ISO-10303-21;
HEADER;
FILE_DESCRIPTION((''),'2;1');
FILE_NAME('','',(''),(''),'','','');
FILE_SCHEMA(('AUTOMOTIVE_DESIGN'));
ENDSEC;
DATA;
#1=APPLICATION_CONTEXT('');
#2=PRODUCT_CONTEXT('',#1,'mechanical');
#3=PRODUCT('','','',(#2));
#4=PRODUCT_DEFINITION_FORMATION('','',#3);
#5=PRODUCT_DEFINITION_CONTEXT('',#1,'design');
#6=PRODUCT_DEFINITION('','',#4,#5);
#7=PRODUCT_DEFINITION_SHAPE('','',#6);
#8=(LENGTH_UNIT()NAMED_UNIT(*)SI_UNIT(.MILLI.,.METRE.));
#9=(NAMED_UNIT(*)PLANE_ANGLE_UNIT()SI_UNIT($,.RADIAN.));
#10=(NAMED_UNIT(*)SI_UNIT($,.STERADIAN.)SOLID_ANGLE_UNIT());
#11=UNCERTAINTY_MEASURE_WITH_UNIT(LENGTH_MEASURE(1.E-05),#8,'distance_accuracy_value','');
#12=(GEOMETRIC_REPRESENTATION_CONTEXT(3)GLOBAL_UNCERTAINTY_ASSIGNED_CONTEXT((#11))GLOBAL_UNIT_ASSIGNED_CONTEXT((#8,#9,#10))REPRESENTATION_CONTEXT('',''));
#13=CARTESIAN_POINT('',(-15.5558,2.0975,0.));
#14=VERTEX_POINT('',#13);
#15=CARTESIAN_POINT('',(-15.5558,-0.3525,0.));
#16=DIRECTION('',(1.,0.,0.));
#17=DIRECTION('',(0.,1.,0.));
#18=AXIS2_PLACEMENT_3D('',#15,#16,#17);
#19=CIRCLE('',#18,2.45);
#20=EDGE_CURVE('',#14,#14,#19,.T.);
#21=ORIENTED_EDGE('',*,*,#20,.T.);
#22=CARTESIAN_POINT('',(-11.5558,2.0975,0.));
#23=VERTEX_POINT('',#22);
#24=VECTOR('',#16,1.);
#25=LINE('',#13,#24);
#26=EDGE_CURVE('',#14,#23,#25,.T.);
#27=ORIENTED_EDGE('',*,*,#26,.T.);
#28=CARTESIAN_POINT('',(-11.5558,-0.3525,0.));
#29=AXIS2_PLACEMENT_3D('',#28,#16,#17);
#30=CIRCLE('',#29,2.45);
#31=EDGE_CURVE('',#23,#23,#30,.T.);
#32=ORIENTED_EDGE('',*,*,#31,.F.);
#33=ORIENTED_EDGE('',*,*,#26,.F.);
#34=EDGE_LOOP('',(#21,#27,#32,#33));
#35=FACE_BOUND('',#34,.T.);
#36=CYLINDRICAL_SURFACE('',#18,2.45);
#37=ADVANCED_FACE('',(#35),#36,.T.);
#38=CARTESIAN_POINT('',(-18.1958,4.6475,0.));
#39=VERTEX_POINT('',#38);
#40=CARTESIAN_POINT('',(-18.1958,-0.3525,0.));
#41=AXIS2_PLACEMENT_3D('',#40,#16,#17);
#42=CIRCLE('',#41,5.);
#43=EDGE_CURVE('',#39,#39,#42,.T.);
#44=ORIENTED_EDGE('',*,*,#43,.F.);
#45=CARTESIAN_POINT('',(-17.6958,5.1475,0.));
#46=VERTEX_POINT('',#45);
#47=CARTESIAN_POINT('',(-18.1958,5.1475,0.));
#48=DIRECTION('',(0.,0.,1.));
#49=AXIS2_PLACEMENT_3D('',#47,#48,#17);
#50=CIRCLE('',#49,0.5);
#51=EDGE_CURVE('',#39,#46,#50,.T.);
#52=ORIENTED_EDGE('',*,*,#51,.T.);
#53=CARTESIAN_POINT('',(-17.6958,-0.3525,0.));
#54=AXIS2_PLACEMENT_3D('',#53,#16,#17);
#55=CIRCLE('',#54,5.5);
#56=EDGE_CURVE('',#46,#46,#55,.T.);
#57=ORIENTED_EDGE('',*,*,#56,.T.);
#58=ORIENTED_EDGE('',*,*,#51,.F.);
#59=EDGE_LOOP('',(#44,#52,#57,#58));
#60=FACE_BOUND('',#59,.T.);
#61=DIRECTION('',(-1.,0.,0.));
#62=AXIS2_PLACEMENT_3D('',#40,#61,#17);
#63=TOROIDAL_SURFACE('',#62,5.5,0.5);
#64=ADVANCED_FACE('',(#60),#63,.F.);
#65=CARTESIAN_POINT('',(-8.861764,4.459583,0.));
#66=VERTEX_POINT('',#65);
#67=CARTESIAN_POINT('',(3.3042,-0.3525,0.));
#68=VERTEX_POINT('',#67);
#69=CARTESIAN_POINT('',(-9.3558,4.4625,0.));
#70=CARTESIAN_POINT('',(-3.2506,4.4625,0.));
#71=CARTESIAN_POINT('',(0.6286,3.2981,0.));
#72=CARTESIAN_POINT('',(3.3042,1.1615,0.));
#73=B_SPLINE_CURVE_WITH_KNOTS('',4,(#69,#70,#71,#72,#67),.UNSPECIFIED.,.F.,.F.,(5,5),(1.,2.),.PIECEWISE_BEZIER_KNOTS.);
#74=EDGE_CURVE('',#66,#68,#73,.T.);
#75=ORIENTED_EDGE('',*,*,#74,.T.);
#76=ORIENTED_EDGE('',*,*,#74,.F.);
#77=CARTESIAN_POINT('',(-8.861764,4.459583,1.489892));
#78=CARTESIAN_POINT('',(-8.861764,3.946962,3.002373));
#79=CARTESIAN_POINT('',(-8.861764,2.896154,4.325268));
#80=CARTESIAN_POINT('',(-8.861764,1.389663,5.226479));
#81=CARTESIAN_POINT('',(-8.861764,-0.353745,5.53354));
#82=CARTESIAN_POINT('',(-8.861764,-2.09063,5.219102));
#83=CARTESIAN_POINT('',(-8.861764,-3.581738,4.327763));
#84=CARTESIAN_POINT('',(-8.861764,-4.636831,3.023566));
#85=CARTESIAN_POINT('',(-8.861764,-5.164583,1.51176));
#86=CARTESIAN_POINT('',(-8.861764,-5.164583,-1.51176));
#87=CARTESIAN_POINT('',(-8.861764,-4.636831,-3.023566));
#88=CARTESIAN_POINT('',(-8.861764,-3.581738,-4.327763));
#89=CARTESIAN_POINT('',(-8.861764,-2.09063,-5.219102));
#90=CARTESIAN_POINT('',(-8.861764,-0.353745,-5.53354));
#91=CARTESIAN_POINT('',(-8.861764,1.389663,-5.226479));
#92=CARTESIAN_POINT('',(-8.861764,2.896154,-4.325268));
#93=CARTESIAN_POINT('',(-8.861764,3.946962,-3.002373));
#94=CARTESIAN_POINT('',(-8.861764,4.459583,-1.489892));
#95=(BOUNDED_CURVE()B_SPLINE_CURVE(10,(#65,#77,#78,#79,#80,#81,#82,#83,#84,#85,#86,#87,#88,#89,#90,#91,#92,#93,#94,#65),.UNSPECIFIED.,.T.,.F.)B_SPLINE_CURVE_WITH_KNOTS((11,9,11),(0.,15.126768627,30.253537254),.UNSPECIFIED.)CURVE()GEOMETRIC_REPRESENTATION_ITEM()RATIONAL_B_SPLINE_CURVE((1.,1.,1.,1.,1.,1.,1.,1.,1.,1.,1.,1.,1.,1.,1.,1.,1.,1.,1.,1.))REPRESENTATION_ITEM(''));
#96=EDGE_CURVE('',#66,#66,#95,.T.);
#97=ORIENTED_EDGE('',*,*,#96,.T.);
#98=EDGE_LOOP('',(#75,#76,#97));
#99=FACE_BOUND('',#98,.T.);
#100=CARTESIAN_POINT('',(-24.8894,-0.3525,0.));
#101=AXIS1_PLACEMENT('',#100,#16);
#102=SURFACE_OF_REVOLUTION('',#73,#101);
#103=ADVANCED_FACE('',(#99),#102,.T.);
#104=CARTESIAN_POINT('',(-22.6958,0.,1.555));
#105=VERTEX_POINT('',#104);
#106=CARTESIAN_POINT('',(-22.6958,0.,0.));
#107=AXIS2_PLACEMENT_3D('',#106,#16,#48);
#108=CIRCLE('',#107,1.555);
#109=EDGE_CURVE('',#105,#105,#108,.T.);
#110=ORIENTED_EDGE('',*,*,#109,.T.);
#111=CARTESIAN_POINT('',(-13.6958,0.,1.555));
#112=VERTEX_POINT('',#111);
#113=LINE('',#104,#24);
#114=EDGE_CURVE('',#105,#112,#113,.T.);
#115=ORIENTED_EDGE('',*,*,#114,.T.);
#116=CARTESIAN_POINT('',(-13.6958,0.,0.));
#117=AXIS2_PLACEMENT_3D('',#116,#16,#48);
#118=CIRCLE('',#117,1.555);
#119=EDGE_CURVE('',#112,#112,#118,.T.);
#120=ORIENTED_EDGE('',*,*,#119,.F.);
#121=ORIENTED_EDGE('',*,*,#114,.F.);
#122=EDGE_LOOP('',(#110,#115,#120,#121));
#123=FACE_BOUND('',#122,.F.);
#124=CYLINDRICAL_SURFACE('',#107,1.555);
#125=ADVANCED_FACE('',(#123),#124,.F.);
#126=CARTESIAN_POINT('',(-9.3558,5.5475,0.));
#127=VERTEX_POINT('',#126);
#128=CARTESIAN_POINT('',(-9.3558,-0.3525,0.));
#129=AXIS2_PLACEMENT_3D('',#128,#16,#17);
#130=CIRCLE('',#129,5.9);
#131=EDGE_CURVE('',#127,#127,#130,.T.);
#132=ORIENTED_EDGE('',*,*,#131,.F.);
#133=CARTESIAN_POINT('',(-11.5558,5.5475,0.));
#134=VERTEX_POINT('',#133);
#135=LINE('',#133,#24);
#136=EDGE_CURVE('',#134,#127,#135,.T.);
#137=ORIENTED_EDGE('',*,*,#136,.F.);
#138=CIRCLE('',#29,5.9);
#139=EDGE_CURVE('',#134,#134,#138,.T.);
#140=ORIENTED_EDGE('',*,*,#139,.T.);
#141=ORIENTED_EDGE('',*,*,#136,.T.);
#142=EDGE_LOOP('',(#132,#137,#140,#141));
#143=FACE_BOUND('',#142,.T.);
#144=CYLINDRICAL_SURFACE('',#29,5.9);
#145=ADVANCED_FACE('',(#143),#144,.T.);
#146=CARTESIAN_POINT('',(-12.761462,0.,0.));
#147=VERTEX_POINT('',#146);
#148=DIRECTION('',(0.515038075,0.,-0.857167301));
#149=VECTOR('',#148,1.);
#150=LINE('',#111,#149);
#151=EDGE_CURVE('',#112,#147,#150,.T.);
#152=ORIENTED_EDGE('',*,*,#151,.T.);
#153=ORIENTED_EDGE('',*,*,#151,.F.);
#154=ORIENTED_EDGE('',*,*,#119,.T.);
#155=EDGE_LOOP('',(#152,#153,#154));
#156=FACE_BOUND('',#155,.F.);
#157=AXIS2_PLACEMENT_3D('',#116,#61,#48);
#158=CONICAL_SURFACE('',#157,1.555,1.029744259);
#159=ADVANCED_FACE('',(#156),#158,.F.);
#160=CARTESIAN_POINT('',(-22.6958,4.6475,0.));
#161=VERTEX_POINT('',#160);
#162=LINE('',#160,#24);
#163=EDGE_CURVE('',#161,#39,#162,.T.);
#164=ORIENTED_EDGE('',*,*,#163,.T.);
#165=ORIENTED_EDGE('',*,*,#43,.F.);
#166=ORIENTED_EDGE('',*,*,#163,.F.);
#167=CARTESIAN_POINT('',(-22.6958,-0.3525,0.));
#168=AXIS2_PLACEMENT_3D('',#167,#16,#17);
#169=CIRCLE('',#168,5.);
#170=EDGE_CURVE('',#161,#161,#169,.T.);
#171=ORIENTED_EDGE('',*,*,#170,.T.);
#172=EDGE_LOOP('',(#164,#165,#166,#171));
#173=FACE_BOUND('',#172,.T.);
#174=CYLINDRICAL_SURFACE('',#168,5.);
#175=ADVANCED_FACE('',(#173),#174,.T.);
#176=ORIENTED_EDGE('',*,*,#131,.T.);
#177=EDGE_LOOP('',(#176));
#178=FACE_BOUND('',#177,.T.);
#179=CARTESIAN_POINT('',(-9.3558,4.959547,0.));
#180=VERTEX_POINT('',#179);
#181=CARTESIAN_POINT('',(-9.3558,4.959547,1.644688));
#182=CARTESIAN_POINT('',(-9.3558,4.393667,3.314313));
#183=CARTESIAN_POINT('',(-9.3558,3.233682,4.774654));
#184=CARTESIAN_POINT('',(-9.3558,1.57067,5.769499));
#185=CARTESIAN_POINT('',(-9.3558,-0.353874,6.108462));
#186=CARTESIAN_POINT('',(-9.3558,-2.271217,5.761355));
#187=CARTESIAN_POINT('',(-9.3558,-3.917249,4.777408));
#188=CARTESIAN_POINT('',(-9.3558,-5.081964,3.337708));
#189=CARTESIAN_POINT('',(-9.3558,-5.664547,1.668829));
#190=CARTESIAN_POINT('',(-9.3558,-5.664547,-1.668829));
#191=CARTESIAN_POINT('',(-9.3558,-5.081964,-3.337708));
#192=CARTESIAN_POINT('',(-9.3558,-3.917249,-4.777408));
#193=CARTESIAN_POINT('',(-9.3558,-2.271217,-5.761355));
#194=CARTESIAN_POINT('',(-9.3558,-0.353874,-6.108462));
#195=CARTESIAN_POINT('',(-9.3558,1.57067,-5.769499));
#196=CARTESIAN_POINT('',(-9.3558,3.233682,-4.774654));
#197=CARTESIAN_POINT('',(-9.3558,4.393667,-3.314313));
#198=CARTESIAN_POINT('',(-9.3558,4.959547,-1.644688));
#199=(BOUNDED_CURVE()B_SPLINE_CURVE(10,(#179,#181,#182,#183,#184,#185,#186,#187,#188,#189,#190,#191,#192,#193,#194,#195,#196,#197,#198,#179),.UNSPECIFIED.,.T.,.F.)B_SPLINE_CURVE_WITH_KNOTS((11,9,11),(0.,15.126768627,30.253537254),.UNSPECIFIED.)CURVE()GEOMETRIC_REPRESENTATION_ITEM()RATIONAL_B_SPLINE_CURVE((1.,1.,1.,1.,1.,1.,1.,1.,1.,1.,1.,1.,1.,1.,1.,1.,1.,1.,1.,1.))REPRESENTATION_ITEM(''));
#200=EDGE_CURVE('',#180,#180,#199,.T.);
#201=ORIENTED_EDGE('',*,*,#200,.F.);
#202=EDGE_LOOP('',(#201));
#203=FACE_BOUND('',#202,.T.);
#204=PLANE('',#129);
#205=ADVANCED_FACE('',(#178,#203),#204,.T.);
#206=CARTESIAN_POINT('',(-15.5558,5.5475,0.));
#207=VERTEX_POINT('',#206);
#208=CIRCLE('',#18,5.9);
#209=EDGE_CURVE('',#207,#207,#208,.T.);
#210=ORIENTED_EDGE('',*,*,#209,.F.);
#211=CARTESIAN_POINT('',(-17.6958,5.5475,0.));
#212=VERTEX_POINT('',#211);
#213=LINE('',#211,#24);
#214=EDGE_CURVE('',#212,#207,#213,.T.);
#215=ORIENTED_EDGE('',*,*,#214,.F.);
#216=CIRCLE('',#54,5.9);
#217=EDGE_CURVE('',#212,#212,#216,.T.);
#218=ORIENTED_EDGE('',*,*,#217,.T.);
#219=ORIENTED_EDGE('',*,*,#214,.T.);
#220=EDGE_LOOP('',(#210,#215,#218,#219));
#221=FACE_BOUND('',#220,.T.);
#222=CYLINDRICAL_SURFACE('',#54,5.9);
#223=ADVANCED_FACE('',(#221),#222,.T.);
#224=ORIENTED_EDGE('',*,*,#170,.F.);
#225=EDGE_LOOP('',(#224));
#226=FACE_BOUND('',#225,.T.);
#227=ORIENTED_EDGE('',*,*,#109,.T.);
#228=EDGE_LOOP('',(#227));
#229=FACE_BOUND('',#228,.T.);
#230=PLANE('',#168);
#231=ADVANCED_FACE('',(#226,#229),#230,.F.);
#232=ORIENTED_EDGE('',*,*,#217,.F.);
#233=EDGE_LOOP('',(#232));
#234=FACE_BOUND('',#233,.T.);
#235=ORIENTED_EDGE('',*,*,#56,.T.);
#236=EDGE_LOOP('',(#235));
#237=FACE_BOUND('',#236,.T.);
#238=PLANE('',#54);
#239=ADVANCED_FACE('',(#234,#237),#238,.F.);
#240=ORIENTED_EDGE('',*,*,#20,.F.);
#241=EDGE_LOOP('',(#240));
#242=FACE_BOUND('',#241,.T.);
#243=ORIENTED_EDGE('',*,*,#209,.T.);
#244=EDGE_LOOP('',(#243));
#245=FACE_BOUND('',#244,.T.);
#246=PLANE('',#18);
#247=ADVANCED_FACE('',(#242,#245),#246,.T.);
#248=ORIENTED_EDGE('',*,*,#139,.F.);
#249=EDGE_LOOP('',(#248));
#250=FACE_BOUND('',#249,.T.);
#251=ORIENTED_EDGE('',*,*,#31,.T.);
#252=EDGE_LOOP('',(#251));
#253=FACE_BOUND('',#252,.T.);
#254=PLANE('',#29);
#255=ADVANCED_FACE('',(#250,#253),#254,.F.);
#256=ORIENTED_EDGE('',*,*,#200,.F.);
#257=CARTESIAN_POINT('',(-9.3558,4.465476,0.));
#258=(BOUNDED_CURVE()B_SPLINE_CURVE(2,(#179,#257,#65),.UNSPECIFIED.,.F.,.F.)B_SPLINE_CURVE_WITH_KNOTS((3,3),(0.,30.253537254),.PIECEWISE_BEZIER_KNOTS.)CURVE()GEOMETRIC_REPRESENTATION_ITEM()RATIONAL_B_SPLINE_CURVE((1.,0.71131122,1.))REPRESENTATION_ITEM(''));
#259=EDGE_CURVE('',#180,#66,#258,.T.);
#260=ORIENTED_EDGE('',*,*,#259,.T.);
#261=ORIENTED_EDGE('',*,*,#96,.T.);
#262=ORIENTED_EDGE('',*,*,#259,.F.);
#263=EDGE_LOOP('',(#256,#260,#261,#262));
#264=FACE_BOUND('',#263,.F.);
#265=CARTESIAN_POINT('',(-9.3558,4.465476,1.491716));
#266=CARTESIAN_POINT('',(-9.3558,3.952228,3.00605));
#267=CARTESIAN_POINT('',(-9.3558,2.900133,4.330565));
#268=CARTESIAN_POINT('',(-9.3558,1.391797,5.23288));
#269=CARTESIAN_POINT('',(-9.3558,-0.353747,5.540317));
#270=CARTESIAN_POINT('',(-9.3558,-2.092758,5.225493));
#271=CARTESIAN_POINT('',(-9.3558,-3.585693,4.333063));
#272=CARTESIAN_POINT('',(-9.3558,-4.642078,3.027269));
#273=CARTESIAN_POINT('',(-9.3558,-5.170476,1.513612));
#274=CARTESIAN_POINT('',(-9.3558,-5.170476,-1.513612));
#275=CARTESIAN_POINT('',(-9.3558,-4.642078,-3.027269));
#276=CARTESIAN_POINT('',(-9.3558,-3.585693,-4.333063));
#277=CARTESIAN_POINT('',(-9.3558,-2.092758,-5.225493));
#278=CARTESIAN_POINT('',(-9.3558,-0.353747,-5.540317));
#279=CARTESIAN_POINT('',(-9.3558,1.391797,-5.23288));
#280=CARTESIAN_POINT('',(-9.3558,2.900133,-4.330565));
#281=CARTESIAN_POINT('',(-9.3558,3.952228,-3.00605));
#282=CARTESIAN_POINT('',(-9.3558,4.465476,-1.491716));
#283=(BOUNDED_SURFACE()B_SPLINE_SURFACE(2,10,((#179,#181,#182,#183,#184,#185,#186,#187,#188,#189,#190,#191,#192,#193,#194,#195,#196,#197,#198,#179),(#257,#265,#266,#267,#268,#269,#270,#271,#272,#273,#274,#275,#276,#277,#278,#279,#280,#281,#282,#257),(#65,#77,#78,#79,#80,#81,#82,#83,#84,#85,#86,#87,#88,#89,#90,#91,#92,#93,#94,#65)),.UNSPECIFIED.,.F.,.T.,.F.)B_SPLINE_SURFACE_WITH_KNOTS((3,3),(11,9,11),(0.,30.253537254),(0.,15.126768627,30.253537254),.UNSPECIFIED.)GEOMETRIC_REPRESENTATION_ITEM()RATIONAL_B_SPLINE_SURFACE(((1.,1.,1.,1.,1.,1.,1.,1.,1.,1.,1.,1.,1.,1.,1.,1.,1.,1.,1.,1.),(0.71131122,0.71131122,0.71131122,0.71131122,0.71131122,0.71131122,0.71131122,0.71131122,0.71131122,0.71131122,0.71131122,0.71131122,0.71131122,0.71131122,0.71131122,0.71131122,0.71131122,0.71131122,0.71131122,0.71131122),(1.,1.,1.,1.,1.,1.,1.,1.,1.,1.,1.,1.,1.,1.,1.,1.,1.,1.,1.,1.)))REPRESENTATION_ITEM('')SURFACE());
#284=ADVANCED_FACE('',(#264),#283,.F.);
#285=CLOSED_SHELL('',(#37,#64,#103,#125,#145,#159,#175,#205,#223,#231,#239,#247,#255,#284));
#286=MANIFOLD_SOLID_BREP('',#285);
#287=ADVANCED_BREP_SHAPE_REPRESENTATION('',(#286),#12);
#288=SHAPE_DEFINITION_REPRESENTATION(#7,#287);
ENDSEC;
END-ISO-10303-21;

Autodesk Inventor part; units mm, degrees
ref_plane "YZ Plane" through (0, 0, 0) normal (1, 0, 0) x (0, 1, 0)
ref_plane "XZ Plane" through (0, 0, 0) normal (0, 1, 0) x (-1, 0, 0)
ref_plane "XY Plane" through (0, 0, 0) normal (0, 0, 1) x (1, 0, 0)
sketch "Szkic1" plane through (0, 0, 0) normal (0, 0, 1) x (1, 0, 0)
  line L0 (-24.8894, -0.3525) -> (25.4856, -0.3525)
  line L1 (-22.6958, -0.3525) -> (-22.6958, 4.6475)
  line L2 (-22.6958, 4.6475) -> (-17.6958, 4.6475)
  line L3 (-17.6958, 4.6475) -> (-17.6958, 5.5475)
  line L4 (-17.6958, 5.5475) -> (-15.5558, 5.5475)
  line L5 (-15.5558, 5.5475) -> (-15.5558, 2.0975)
  line L6 (-15.5558, 2.0975) -> (-11.5558, 2.0975)
  line L7 (-11.5558, 2.0975) -> (-11.5558, 5.5475)
  line L8 (-11.5558, 5.5475) -> (-9.3558, 5.5475)
  line L9 (-9.3558, 5.5475) -> (-9.3558, 4.4625)
  line L10 (-9.3558, 4.4625) -> (-3.2506, 4.4625) construction
  line L11 (-3.2506, 4.4625) -> (0.6286, 3.2981) construction
  line L12 (0.6286, 3.2981) -> (3.3042, 1.1615) construction
  line L13 (3.3042, 1.1615) -> (3.3042, -0.3525) construction
  spline S0 degree 4 poles (-9.3558, 4.4625) (-3.2506, 4.4625) (0.6286, 3.2981) (3.3042, 1.1615) (3.3042, -0.3525) knots 1 1 1 1 1 2 2 2 2 2
  point P0 (0, 0)
  point P1 (-16.6258, 5.5475)
  point P2 (-10.4558, 5.5475)
  dimension "d0" = 10
  dimension "d1" = 5
  dimension "d2" = 11.8
  dimension "d3" = 7.14
  dimension "d4" = 4.9
  dimension "d5" = 4
  dimension "d6" = 2.2
  dimension "d7" = 9.63
  dimension "d8" = 26
revolve "Obrót1" add sketch "Szkic1" angle 360 about axis through (-24.8894, -0.3525, 0) along (1, 0, 0)
fillet "Zaokrąglenie1" radius 0.5 2 edges at (-9.3558, -5.1675, 0) (-17.6958, -5.3525, 0)
sketch "Szkic2" plane through (-22.6958, -0.3525, 0) normal (-1, 0, 0) x (0, 0, 1)
  point P0 (0, 0.3525)
  point P1 (0, 0.3525)
hole "Otwór1" at (-22.6958, 0, 0) direction (1, 0, 0) diameter 3.11 depth 9 tip angle 118
properties part number "mocowanie_smigla"
